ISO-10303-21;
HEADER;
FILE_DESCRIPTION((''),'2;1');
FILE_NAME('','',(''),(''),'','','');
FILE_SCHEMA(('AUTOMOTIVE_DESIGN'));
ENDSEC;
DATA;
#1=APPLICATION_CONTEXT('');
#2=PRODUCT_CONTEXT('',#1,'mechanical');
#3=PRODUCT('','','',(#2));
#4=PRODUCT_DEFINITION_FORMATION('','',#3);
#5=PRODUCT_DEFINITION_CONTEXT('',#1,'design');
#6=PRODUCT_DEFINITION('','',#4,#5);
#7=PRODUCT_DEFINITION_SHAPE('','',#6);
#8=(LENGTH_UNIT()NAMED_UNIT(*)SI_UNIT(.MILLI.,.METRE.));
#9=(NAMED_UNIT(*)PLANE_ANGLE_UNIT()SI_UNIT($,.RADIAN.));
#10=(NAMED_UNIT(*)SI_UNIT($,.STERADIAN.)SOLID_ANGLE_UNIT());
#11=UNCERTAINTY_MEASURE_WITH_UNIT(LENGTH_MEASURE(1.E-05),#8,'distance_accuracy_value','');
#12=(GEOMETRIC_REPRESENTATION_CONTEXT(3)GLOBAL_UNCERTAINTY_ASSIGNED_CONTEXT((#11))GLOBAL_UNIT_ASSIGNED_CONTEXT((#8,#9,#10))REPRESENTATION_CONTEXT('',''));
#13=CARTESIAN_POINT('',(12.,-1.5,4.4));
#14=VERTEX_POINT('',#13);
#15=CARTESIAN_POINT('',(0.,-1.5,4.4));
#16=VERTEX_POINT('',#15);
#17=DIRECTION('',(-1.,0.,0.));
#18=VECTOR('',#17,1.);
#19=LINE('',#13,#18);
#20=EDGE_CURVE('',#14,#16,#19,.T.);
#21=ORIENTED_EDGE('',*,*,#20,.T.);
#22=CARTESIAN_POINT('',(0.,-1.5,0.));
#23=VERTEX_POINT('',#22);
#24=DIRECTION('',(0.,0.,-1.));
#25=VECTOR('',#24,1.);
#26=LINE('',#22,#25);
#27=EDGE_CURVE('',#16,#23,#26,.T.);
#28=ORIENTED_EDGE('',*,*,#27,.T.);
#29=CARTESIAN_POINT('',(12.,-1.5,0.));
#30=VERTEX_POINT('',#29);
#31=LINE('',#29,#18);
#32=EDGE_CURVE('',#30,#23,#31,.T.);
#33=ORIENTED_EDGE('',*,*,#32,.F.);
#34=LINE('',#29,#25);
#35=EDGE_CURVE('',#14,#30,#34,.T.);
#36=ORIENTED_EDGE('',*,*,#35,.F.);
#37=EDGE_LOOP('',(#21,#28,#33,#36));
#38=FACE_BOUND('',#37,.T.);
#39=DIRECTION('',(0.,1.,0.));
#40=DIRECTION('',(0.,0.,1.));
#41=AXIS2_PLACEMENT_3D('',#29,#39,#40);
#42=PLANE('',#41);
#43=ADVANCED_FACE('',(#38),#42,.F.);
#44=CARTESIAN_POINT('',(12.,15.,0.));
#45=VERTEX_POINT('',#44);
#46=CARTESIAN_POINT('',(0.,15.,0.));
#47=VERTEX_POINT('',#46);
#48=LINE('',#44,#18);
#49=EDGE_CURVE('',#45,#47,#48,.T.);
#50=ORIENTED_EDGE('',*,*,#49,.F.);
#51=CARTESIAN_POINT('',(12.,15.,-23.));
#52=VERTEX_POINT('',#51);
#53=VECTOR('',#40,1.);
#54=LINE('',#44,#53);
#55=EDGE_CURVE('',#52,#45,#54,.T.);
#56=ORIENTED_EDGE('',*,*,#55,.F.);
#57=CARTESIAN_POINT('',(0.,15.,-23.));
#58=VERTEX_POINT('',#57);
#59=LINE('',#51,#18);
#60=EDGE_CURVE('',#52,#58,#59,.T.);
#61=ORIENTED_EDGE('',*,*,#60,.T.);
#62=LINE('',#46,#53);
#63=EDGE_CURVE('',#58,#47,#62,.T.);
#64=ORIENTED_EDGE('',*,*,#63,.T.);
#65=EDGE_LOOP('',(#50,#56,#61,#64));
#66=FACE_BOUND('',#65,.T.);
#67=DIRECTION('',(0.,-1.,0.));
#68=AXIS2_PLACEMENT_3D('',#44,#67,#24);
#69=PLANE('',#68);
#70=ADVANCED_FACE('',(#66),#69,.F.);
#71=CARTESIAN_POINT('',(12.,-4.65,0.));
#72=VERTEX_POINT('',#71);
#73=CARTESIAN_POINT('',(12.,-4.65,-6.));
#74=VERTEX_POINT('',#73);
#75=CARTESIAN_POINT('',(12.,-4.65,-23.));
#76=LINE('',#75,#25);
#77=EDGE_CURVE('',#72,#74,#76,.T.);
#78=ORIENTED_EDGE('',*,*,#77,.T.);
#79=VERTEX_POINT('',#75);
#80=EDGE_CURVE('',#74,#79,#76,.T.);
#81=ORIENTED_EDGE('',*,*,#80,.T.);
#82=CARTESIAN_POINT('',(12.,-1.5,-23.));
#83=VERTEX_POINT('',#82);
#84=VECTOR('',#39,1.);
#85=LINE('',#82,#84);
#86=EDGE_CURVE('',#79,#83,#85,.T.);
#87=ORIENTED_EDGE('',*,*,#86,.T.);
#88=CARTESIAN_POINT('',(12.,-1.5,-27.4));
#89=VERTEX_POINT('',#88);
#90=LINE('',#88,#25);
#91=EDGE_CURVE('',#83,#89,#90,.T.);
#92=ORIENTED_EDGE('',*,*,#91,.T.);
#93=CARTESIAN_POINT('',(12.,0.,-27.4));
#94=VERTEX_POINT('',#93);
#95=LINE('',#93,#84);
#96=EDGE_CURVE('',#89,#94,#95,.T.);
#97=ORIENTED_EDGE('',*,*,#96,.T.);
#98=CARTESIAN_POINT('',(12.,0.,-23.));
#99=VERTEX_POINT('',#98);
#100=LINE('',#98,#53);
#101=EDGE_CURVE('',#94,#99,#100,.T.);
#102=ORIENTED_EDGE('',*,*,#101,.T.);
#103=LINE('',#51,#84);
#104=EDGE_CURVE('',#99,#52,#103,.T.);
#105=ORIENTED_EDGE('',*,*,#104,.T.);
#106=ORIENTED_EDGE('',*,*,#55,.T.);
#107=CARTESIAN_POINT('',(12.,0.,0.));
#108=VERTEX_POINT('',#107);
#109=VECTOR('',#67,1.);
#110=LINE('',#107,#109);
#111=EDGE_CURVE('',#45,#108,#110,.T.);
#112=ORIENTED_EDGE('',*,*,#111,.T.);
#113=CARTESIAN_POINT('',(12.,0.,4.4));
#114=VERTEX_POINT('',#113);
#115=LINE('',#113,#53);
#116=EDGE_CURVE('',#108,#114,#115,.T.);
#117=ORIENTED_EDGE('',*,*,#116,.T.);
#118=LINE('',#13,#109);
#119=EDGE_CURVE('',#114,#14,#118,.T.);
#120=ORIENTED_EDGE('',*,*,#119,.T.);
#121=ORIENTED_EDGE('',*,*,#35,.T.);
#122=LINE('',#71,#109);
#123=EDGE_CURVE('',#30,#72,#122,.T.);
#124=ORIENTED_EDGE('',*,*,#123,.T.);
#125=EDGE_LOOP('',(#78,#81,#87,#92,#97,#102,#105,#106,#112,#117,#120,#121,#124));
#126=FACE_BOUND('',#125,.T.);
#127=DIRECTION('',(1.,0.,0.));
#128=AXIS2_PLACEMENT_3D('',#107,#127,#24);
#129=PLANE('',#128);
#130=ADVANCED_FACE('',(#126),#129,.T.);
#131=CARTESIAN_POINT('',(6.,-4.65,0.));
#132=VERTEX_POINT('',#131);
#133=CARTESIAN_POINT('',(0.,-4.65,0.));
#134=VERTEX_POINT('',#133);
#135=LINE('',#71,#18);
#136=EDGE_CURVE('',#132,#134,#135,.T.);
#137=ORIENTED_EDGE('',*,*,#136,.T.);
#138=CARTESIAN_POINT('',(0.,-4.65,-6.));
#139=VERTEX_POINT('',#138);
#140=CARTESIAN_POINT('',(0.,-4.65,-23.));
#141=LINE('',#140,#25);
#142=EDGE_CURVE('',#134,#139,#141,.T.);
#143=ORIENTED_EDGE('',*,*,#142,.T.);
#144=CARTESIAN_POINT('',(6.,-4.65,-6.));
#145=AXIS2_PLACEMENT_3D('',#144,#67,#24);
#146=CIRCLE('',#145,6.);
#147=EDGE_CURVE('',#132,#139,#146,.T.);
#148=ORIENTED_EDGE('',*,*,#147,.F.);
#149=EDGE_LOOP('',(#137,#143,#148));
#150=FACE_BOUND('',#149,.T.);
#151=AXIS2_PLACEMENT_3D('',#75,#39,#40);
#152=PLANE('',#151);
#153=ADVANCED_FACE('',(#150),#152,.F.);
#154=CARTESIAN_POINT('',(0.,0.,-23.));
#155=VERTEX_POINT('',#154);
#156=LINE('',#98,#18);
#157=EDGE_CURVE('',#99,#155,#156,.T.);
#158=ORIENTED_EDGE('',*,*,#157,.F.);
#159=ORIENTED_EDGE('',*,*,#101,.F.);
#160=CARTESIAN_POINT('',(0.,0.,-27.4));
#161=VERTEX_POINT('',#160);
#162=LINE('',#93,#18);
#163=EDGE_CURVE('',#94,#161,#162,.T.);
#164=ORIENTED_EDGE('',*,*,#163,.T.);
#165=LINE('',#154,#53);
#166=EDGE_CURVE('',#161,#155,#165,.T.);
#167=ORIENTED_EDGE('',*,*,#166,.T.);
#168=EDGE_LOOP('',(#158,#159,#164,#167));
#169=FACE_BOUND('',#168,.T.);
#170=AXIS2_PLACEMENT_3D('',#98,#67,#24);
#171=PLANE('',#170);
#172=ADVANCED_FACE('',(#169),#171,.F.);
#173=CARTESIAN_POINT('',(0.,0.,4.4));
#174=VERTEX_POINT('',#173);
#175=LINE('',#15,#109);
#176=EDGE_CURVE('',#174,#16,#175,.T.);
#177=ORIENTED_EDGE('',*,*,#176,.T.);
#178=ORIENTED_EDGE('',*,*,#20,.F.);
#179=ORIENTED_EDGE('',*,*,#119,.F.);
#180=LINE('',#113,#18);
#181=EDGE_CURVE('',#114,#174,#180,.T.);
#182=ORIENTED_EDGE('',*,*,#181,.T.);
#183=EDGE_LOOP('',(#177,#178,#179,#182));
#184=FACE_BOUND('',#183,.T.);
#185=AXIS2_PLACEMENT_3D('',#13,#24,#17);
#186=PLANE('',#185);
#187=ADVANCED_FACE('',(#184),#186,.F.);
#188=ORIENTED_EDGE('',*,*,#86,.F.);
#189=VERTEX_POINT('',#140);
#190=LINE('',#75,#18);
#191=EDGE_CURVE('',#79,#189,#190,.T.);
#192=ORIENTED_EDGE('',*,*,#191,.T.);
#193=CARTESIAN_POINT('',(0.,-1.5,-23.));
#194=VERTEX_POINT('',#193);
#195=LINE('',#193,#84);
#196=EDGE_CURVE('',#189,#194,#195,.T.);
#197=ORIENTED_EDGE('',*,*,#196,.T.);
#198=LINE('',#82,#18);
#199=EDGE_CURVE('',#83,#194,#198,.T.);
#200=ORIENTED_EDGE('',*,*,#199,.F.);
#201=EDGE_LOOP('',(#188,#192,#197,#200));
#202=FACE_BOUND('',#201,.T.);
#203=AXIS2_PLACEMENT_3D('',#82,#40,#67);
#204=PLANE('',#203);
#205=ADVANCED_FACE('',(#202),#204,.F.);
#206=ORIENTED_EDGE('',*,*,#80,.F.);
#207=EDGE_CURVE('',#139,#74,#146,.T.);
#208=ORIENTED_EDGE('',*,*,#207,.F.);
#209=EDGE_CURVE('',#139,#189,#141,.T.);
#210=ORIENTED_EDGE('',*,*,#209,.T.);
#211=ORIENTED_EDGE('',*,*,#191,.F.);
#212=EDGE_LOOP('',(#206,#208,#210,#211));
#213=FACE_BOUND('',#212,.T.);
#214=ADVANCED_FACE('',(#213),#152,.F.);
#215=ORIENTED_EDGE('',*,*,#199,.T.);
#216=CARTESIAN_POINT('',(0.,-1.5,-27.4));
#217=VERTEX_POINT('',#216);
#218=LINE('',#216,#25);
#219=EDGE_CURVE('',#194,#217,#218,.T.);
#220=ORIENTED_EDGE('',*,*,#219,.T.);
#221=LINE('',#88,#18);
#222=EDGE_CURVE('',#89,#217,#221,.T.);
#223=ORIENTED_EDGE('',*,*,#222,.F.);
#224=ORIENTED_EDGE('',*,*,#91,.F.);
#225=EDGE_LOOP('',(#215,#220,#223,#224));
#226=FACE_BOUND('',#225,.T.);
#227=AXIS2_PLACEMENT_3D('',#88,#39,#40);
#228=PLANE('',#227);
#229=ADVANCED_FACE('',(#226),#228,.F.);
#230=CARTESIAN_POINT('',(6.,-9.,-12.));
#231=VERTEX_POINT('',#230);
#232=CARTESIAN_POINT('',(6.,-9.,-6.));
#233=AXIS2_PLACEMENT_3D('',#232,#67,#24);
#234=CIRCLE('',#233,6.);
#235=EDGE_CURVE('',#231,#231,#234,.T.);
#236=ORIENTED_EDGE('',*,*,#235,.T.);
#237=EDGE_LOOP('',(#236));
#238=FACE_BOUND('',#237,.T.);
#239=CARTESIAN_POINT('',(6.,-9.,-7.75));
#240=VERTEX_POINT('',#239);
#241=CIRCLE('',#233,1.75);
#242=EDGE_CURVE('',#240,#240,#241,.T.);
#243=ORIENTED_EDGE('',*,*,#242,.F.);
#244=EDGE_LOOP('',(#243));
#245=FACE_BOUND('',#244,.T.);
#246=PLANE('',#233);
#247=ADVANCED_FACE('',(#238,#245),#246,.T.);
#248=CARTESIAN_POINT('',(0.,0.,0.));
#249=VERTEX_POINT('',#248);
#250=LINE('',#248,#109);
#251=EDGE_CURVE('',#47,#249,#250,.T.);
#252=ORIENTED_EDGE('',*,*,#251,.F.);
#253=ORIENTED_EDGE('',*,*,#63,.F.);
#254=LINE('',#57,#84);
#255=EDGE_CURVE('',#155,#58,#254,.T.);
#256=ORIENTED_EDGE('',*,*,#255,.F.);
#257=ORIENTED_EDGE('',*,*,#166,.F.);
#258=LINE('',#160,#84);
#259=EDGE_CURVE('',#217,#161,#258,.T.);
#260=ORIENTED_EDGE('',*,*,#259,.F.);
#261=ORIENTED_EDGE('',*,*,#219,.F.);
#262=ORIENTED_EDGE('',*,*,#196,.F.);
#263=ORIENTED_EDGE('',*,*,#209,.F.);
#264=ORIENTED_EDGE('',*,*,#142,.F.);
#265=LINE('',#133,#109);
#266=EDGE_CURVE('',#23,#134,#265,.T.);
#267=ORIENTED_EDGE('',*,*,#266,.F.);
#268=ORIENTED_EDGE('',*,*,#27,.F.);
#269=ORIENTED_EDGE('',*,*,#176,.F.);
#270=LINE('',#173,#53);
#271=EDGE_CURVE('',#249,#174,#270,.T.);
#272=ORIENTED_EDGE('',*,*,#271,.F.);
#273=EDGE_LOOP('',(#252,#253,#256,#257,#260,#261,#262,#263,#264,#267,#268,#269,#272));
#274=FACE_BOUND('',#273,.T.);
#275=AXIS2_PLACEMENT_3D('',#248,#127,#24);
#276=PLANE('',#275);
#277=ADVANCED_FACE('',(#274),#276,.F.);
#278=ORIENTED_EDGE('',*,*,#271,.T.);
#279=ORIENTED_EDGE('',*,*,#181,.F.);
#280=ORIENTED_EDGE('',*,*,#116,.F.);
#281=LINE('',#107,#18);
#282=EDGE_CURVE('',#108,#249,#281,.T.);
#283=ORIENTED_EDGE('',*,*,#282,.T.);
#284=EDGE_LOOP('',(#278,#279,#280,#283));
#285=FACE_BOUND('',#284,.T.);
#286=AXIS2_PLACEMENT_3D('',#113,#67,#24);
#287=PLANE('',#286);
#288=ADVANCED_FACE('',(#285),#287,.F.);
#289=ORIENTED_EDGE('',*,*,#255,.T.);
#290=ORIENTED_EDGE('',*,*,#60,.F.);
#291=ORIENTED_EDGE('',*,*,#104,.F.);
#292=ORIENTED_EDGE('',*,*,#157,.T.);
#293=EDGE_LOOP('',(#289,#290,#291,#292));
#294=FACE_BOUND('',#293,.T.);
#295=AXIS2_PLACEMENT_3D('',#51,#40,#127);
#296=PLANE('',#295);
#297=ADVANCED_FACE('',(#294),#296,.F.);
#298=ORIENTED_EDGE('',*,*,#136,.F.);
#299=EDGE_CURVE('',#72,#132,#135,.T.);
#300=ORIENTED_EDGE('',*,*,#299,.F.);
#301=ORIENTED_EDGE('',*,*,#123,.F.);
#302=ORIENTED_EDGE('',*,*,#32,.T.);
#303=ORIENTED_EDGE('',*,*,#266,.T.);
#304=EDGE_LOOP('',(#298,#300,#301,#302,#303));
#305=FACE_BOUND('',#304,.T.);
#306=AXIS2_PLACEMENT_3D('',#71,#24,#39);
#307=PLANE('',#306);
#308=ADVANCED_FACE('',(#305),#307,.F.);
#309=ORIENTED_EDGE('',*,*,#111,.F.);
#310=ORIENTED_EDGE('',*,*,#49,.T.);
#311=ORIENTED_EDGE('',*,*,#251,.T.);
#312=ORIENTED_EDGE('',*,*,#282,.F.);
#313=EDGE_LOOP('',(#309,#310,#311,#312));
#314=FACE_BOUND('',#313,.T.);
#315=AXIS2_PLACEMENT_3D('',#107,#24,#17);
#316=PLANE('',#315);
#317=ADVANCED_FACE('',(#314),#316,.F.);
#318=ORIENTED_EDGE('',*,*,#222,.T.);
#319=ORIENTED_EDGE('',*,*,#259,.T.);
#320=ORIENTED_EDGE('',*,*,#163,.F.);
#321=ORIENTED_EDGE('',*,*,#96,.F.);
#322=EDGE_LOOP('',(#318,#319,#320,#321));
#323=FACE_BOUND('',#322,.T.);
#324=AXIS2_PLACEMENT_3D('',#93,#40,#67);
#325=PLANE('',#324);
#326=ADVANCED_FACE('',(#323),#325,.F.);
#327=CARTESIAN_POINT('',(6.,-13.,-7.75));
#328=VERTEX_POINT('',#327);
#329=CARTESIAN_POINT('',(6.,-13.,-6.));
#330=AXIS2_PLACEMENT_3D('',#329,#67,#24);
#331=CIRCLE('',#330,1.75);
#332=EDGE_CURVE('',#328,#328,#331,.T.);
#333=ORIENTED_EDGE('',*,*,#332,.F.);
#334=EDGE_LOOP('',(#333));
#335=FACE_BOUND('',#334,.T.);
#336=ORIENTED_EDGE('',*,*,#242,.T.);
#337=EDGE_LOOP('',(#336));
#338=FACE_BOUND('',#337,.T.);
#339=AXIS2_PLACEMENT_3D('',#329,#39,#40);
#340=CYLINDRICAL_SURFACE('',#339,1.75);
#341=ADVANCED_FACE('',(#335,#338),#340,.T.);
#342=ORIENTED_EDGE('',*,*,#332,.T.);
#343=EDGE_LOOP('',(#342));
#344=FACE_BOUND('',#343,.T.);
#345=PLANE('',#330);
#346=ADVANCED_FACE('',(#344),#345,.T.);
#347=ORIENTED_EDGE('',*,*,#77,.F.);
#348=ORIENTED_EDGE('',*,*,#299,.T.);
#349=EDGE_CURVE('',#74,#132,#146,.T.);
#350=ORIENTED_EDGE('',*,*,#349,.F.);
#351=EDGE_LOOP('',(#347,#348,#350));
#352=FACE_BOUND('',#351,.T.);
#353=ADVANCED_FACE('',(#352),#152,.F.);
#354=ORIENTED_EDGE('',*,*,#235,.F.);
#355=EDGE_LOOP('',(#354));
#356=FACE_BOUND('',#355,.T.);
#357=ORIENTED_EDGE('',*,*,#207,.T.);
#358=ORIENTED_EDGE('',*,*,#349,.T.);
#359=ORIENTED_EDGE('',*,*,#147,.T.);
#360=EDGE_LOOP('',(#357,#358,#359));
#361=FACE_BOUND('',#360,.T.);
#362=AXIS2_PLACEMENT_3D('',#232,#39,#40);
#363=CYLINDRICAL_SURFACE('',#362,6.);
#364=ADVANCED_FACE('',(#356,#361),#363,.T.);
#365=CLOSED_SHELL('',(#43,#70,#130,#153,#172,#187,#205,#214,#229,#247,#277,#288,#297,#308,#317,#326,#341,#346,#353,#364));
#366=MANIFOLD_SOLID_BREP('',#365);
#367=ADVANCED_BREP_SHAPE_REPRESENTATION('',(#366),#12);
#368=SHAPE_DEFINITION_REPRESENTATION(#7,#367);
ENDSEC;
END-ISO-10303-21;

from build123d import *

# Parameters (mm, degrees)
EXTRUDE_1_DEPTH = 12
SKETCH_2_R      = 6
EXTRUDE_2_DEPTH = 4.35
SKETCH_3_R      = 1.75
EXTRUDE_3_DEPTH = 4


with BuildPart() as part:
    # 草图1 → 凸台-拉伸1 (new body)
    with BuildSketch(Plane(origin=(0, 0, 0), x_dir=(0, 0, -1), z_dir=(1, 0, 0))):
        Polygon((0, 0), (0, 15), (23, 15), (23, 0), (27.4, 0), (27.4, -1.5), (23, -1.5), (23, -4.65), (0, -4.65), (0, -1.5), (-4.4, -1.5), (-4.4, 0), align=None)
    extrude(amount=EXTRUDE_1_DEPTH)

    # 草图2 → 凸台-拉伸2 (add)
    with BuildSketch(Plane(origin=(0, -4.65, 0), x_dir=(-1, 0, 0), z_dir=(0, -1, 0))):
        with Locations(Location((-6, 6, 0), (0, 0, 270))):
            Circle(SKETCH_2_R)
    extrude(amount=EXTRUDE_2_DEPTH)

    # 草图3 → 凸台-拉伸3 (add)
    with BuildSketch(Plane.XZ.offset(9)):
        with Locations(Location((6, -6, 0), (0, 0, 270))):
            Circle(SKETCH_3_R)
    extrude(amount=EXTRUDE_3_DEPTH)


solid = part.part
